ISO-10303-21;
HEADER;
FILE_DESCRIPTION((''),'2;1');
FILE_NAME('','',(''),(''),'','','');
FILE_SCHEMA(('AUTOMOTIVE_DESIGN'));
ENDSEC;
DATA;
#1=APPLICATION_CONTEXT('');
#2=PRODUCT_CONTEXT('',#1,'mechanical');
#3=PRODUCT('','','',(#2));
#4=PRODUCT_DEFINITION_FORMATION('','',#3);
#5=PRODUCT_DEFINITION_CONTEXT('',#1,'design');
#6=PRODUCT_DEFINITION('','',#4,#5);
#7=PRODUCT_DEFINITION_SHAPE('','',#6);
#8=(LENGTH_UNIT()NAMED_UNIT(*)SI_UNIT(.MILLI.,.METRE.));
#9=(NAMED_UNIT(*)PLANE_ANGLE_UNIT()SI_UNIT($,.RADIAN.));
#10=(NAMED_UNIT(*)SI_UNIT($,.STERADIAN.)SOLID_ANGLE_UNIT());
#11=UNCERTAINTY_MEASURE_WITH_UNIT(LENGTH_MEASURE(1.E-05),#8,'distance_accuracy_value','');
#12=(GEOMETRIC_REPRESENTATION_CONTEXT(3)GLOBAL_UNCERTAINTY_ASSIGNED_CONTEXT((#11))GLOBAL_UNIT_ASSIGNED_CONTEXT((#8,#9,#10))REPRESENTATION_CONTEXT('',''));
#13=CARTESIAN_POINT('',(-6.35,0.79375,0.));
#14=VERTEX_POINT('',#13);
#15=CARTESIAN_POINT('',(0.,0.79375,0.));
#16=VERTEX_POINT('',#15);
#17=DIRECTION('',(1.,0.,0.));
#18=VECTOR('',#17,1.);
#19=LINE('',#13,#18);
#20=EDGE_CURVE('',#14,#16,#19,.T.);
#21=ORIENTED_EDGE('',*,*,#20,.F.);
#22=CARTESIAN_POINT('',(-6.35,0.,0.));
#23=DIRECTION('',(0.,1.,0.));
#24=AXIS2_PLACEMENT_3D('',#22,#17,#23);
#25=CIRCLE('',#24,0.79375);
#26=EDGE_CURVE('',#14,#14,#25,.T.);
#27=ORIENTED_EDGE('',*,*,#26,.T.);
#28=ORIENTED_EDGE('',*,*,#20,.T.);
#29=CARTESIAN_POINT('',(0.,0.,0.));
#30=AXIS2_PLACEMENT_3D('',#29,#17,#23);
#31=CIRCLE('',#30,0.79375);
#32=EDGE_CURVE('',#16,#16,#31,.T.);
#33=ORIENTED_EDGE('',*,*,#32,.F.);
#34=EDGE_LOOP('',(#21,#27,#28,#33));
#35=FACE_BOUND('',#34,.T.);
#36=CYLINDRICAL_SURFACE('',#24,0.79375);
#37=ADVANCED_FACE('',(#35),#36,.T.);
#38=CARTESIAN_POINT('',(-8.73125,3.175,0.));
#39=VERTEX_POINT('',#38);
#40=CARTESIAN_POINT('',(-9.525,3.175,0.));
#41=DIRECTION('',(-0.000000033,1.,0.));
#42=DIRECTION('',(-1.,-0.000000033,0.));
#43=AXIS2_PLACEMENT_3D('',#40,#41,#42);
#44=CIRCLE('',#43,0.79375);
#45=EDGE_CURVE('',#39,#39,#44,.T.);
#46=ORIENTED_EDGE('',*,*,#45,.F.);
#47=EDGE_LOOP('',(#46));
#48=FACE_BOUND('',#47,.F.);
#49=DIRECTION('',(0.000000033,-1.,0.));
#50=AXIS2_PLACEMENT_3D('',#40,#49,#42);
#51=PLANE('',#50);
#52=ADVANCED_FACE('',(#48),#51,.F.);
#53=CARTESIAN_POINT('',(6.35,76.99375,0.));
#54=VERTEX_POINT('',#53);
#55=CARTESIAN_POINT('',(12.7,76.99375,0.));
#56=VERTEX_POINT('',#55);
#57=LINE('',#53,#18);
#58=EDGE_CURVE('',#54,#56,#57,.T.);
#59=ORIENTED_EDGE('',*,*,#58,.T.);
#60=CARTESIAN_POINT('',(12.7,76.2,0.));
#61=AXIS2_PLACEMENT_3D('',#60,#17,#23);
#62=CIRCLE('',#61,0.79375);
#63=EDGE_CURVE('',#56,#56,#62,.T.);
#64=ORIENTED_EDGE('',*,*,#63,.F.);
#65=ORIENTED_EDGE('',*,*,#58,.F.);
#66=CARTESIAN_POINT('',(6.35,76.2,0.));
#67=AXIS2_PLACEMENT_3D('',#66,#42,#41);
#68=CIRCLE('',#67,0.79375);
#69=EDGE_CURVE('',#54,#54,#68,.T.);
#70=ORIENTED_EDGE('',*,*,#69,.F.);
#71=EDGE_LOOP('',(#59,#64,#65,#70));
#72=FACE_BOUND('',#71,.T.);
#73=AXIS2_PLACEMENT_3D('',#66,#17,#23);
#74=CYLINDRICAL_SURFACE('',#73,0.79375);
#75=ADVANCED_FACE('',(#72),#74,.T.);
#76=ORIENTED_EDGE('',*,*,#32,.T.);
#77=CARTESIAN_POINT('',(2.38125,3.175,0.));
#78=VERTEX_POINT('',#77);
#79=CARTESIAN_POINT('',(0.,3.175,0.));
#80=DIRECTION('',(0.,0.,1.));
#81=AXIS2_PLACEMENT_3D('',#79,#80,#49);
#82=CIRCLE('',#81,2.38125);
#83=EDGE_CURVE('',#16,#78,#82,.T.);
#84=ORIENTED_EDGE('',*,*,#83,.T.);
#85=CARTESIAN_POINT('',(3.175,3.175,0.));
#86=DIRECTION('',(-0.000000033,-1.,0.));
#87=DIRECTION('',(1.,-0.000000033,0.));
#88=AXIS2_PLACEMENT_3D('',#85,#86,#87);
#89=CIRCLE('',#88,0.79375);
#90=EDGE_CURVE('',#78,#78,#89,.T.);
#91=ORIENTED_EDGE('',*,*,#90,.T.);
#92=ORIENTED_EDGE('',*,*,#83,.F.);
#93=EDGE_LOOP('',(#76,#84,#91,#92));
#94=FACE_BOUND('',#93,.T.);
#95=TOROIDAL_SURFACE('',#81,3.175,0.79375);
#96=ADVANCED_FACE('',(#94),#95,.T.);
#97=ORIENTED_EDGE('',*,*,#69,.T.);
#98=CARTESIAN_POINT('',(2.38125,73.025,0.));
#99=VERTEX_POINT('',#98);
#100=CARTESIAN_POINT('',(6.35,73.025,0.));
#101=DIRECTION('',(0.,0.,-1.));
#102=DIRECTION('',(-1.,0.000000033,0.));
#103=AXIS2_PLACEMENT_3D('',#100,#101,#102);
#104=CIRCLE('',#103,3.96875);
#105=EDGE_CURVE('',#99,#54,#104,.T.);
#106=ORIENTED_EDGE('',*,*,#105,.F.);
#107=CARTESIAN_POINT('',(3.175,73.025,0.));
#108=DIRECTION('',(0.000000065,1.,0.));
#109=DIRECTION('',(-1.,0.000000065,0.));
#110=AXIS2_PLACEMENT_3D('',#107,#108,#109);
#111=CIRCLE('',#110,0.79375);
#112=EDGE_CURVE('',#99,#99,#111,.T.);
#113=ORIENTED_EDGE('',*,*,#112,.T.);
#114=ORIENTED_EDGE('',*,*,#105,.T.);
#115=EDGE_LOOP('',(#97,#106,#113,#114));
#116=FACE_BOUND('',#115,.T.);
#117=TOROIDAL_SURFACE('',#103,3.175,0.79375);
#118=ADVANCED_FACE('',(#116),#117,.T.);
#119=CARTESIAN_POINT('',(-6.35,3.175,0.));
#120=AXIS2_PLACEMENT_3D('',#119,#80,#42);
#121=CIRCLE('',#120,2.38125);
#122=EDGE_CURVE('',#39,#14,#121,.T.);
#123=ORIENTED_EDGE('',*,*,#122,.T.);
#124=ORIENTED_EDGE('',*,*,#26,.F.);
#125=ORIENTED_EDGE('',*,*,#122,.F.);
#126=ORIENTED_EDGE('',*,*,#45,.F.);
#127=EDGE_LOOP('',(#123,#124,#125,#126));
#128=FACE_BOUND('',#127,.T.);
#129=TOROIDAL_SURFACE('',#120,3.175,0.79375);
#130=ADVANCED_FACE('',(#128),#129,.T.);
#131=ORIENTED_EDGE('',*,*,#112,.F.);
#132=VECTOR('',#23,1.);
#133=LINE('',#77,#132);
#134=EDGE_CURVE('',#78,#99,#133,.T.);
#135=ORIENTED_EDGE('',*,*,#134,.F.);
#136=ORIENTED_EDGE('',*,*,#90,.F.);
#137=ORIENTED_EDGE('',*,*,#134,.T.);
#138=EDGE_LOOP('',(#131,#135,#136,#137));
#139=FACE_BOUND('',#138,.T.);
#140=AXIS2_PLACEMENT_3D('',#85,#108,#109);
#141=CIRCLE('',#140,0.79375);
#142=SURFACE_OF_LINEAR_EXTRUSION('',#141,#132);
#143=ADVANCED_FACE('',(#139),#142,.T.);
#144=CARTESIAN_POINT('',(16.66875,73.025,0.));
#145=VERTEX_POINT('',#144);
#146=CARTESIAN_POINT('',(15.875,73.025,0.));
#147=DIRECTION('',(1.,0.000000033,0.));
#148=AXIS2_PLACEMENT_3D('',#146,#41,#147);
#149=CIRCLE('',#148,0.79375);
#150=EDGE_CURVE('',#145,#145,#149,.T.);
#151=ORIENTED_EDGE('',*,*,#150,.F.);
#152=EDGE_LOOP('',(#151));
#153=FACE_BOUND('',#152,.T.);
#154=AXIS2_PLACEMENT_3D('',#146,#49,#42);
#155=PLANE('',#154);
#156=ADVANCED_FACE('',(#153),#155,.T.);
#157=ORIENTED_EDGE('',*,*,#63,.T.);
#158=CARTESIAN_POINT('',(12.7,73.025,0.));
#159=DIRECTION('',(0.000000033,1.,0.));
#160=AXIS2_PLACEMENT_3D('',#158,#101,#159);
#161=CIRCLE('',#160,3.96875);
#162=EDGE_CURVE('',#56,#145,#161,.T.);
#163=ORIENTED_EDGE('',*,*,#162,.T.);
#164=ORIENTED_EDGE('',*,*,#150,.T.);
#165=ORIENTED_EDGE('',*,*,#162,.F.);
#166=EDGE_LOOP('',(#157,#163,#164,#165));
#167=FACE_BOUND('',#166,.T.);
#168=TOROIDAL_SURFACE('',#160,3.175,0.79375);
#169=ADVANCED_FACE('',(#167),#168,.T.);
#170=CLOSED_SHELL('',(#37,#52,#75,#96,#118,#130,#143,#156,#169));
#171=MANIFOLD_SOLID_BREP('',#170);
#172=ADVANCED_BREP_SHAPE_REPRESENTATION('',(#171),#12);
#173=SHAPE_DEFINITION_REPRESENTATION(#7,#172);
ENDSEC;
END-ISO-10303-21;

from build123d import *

# Parameters (mm, degrees)
F2_R = 0.79375


with BuildPart() as f3:
    # F3: sweep along a path in F0
    with BuildLine(Plane.XY) as f3_path:
        Line((-6.35, 0), (0, 0))
        ThreePointArc((0, 0), (2.245064, 0.929936), (3.175, 3.175))
        Line((3.175, 3.175), (3.175, 73.025))
        ThreePointArc((3.175, 73.025), (4.104936, 75.270064), (6.35, 76.2))
        Line((6.35, 76.2), (12.7, 76.2))
        ThreePointArc((12.7, 76.2), (14.945064, 75.270064), (15.875, 73.025))
    # F2 (on plane+point) → F3 (sweep)
    with BuildSketch(Plane.YZ.offset(-6.35)):
        Circle(F2_R)
    sweep(path=f3_path.line)

    # F4: sweep along a path in F0
    with BuildLine(Plane.XY) as f4_path:
        ThreePointArc((-9.525, 3.175), (-8.595064, 0.929936), (-6.35, 0))
    # F2 (on plane+point) → F4 (sweep)
    with BuildSketch(Plane.YZ.offset(-6.35)):
        Circle(F2_R)
    sweep(path=f4_path.line)


solid = f3.part
